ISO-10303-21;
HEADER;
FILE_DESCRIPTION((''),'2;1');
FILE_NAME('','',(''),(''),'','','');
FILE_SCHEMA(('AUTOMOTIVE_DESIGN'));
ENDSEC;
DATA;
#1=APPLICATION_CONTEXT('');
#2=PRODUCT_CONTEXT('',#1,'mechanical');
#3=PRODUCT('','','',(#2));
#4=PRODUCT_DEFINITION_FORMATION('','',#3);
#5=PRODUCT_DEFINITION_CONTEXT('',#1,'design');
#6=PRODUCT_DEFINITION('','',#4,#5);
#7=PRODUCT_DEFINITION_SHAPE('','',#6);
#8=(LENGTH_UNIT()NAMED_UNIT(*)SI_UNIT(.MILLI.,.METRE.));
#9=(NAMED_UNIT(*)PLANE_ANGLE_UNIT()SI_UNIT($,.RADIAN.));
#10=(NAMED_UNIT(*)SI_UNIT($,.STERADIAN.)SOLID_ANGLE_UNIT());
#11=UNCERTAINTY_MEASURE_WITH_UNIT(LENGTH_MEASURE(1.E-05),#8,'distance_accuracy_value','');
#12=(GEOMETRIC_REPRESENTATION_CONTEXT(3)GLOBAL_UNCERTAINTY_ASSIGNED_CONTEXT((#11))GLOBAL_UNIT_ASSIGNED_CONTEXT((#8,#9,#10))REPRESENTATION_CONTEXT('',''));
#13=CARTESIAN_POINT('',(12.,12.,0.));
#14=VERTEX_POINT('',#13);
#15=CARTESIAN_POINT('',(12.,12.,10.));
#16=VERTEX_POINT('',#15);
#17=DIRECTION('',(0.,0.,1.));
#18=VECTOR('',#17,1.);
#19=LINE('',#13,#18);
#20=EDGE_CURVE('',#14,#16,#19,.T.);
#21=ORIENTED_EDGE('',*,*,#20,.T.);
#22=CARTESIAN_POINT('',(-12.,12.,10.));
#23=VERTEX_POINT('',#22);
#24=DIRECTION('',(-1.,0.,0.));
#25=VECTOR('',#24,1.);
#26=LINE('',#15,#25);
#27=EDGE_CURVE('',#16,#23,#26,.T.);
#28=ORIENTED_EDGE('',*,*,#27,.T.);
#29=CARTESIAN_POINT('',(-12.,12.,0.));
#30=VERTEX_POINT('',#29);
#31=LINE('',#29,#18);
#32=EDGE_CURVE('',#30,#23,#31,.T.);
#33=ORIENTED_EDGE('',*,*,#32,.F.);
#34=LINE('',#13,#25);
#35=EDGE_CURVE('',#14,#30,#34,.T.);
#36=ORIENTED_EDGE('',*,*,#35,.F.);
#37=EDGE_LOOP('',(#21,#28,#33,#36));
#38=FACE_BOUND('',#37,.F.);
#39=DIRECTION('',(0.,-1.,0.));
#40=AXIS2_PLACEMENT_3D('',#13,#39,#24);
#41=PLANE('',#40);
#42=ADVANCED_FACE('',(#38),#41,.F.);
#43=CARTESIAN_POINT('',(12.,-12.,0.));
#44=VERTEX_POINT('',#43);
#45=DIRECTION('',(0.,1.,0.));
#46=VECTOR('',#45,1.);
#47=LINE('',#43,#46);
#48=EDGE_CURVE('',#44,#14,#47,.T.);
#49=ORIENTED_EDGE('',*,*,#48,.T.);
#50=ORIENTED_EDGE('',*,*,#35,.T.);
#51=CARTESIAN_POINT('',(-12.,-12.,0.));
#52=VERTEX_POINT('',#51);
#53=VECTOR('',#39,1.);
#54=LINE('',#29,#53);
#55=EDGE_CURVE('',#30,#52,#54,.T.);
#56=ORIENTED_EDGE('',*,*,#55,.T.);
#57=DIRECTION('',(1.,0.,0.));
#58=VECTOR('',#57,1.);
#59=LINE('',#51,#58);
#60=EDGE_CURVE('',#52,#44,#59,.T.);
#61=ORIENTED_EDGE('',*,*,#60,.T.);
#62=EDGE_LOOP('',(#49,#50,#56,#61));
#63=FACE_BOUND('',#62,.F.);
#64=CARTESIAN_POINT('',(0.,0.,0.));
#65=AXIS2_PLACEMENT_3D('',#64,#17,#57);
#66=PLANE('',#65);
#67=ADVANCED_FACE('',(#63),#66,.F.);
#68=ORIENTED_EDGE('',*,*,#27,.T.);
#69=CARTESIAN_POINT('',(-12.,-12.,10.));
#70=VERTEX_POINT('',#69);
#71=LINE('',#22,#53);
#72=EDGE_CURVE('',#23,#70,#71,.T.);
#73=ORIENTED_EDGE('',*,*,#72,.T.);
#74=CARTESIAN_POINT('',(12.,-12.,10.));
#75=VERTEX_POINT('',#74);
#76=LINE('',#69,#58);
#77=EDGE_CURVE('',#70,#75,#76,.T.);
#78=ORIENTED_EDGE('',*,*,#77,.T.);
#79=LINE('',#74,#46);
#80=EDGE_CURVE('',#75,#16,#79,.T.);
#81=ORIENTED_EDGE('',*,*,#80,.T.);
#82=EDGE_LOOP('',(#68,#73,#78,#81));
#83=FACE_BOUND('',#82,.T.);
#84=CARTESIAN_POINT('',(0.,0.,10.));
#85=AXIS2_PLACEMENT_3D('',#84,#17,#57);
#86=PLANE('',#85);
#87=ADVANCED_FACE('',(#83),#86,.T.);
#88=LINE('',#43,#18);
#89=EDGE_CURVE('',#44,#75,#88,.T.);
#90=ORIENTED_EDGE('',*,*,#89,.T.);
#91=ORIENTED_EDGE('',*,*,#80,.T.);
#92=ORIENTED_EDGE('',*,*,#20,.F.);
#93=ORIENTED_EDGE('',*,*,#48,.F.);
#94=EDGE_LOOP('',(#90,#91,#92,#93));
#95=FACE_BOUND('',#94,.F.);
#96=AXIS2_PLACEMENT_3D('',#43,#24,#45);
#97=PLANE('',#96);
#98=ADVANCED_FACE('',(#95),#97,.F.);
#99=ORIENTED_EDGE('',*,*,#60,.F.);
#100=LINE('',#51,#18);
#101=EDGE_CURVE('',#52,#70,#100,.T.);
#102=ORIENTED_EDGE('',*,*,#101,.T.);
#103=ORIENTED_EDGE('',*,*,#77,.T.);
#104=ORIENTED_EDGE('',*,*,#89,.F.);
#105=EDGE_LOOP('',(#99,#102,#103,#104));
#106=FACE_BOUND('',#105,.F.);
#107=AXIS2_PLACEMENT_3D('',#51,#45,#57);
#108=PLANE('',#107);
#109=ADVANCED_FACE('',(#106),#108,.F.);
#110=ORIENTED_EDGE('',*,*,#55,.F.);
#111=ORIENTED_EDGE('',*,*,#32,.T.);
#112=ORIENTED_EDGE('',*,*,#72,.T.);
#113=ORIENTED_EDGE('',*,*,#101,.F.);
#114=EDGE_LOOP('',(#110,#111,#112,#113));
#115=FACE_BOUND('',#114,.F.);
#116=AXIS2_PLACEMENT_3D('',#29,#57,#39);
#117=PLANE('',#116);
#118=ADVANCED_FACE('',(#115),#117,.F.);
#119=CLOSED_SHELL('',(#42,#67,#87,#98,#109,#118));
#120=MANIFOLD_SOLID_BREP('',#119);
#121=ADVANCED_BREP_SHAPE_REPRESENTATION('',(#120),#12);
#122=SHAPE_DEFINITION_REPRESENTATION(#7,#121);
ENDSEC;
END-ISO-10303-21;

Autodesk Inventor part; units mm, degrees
ref_plane "YZ Plane" through (0, 0, 0) normal (1, 0, 0) x (0, 1, 0)
ref_plane "XZ Plane" through (0, 0, 0) normal (0, 1, 0) x (-1, 0, 0)
ref_plane "XY Plane" through (0, 0, 0) normal (0, 0, 1) x (1, 0, 0)
sketch "Boceto1" plane through (0, 0, 0) normal (0, 0, 1) x (1, 0, 0)
  line L0 (-12, -12) -> (12, -12)
  line L1 (12, -12) -> (12, 12)
  line L2 (12, 12) -> (-12, 12)
  line L3 (-12, 12) -> (-12, -12)
  line L4 (-12, -12) -> (12, 12) construction
  line L5 (12, -12) -> (-12, 12) construction
  point P0 (0, 0)
  dimension "d0" = 24
  dimension "d1" = 24
extrude "Extrusión1" add sketch "Boceto1" along normal blind 10
